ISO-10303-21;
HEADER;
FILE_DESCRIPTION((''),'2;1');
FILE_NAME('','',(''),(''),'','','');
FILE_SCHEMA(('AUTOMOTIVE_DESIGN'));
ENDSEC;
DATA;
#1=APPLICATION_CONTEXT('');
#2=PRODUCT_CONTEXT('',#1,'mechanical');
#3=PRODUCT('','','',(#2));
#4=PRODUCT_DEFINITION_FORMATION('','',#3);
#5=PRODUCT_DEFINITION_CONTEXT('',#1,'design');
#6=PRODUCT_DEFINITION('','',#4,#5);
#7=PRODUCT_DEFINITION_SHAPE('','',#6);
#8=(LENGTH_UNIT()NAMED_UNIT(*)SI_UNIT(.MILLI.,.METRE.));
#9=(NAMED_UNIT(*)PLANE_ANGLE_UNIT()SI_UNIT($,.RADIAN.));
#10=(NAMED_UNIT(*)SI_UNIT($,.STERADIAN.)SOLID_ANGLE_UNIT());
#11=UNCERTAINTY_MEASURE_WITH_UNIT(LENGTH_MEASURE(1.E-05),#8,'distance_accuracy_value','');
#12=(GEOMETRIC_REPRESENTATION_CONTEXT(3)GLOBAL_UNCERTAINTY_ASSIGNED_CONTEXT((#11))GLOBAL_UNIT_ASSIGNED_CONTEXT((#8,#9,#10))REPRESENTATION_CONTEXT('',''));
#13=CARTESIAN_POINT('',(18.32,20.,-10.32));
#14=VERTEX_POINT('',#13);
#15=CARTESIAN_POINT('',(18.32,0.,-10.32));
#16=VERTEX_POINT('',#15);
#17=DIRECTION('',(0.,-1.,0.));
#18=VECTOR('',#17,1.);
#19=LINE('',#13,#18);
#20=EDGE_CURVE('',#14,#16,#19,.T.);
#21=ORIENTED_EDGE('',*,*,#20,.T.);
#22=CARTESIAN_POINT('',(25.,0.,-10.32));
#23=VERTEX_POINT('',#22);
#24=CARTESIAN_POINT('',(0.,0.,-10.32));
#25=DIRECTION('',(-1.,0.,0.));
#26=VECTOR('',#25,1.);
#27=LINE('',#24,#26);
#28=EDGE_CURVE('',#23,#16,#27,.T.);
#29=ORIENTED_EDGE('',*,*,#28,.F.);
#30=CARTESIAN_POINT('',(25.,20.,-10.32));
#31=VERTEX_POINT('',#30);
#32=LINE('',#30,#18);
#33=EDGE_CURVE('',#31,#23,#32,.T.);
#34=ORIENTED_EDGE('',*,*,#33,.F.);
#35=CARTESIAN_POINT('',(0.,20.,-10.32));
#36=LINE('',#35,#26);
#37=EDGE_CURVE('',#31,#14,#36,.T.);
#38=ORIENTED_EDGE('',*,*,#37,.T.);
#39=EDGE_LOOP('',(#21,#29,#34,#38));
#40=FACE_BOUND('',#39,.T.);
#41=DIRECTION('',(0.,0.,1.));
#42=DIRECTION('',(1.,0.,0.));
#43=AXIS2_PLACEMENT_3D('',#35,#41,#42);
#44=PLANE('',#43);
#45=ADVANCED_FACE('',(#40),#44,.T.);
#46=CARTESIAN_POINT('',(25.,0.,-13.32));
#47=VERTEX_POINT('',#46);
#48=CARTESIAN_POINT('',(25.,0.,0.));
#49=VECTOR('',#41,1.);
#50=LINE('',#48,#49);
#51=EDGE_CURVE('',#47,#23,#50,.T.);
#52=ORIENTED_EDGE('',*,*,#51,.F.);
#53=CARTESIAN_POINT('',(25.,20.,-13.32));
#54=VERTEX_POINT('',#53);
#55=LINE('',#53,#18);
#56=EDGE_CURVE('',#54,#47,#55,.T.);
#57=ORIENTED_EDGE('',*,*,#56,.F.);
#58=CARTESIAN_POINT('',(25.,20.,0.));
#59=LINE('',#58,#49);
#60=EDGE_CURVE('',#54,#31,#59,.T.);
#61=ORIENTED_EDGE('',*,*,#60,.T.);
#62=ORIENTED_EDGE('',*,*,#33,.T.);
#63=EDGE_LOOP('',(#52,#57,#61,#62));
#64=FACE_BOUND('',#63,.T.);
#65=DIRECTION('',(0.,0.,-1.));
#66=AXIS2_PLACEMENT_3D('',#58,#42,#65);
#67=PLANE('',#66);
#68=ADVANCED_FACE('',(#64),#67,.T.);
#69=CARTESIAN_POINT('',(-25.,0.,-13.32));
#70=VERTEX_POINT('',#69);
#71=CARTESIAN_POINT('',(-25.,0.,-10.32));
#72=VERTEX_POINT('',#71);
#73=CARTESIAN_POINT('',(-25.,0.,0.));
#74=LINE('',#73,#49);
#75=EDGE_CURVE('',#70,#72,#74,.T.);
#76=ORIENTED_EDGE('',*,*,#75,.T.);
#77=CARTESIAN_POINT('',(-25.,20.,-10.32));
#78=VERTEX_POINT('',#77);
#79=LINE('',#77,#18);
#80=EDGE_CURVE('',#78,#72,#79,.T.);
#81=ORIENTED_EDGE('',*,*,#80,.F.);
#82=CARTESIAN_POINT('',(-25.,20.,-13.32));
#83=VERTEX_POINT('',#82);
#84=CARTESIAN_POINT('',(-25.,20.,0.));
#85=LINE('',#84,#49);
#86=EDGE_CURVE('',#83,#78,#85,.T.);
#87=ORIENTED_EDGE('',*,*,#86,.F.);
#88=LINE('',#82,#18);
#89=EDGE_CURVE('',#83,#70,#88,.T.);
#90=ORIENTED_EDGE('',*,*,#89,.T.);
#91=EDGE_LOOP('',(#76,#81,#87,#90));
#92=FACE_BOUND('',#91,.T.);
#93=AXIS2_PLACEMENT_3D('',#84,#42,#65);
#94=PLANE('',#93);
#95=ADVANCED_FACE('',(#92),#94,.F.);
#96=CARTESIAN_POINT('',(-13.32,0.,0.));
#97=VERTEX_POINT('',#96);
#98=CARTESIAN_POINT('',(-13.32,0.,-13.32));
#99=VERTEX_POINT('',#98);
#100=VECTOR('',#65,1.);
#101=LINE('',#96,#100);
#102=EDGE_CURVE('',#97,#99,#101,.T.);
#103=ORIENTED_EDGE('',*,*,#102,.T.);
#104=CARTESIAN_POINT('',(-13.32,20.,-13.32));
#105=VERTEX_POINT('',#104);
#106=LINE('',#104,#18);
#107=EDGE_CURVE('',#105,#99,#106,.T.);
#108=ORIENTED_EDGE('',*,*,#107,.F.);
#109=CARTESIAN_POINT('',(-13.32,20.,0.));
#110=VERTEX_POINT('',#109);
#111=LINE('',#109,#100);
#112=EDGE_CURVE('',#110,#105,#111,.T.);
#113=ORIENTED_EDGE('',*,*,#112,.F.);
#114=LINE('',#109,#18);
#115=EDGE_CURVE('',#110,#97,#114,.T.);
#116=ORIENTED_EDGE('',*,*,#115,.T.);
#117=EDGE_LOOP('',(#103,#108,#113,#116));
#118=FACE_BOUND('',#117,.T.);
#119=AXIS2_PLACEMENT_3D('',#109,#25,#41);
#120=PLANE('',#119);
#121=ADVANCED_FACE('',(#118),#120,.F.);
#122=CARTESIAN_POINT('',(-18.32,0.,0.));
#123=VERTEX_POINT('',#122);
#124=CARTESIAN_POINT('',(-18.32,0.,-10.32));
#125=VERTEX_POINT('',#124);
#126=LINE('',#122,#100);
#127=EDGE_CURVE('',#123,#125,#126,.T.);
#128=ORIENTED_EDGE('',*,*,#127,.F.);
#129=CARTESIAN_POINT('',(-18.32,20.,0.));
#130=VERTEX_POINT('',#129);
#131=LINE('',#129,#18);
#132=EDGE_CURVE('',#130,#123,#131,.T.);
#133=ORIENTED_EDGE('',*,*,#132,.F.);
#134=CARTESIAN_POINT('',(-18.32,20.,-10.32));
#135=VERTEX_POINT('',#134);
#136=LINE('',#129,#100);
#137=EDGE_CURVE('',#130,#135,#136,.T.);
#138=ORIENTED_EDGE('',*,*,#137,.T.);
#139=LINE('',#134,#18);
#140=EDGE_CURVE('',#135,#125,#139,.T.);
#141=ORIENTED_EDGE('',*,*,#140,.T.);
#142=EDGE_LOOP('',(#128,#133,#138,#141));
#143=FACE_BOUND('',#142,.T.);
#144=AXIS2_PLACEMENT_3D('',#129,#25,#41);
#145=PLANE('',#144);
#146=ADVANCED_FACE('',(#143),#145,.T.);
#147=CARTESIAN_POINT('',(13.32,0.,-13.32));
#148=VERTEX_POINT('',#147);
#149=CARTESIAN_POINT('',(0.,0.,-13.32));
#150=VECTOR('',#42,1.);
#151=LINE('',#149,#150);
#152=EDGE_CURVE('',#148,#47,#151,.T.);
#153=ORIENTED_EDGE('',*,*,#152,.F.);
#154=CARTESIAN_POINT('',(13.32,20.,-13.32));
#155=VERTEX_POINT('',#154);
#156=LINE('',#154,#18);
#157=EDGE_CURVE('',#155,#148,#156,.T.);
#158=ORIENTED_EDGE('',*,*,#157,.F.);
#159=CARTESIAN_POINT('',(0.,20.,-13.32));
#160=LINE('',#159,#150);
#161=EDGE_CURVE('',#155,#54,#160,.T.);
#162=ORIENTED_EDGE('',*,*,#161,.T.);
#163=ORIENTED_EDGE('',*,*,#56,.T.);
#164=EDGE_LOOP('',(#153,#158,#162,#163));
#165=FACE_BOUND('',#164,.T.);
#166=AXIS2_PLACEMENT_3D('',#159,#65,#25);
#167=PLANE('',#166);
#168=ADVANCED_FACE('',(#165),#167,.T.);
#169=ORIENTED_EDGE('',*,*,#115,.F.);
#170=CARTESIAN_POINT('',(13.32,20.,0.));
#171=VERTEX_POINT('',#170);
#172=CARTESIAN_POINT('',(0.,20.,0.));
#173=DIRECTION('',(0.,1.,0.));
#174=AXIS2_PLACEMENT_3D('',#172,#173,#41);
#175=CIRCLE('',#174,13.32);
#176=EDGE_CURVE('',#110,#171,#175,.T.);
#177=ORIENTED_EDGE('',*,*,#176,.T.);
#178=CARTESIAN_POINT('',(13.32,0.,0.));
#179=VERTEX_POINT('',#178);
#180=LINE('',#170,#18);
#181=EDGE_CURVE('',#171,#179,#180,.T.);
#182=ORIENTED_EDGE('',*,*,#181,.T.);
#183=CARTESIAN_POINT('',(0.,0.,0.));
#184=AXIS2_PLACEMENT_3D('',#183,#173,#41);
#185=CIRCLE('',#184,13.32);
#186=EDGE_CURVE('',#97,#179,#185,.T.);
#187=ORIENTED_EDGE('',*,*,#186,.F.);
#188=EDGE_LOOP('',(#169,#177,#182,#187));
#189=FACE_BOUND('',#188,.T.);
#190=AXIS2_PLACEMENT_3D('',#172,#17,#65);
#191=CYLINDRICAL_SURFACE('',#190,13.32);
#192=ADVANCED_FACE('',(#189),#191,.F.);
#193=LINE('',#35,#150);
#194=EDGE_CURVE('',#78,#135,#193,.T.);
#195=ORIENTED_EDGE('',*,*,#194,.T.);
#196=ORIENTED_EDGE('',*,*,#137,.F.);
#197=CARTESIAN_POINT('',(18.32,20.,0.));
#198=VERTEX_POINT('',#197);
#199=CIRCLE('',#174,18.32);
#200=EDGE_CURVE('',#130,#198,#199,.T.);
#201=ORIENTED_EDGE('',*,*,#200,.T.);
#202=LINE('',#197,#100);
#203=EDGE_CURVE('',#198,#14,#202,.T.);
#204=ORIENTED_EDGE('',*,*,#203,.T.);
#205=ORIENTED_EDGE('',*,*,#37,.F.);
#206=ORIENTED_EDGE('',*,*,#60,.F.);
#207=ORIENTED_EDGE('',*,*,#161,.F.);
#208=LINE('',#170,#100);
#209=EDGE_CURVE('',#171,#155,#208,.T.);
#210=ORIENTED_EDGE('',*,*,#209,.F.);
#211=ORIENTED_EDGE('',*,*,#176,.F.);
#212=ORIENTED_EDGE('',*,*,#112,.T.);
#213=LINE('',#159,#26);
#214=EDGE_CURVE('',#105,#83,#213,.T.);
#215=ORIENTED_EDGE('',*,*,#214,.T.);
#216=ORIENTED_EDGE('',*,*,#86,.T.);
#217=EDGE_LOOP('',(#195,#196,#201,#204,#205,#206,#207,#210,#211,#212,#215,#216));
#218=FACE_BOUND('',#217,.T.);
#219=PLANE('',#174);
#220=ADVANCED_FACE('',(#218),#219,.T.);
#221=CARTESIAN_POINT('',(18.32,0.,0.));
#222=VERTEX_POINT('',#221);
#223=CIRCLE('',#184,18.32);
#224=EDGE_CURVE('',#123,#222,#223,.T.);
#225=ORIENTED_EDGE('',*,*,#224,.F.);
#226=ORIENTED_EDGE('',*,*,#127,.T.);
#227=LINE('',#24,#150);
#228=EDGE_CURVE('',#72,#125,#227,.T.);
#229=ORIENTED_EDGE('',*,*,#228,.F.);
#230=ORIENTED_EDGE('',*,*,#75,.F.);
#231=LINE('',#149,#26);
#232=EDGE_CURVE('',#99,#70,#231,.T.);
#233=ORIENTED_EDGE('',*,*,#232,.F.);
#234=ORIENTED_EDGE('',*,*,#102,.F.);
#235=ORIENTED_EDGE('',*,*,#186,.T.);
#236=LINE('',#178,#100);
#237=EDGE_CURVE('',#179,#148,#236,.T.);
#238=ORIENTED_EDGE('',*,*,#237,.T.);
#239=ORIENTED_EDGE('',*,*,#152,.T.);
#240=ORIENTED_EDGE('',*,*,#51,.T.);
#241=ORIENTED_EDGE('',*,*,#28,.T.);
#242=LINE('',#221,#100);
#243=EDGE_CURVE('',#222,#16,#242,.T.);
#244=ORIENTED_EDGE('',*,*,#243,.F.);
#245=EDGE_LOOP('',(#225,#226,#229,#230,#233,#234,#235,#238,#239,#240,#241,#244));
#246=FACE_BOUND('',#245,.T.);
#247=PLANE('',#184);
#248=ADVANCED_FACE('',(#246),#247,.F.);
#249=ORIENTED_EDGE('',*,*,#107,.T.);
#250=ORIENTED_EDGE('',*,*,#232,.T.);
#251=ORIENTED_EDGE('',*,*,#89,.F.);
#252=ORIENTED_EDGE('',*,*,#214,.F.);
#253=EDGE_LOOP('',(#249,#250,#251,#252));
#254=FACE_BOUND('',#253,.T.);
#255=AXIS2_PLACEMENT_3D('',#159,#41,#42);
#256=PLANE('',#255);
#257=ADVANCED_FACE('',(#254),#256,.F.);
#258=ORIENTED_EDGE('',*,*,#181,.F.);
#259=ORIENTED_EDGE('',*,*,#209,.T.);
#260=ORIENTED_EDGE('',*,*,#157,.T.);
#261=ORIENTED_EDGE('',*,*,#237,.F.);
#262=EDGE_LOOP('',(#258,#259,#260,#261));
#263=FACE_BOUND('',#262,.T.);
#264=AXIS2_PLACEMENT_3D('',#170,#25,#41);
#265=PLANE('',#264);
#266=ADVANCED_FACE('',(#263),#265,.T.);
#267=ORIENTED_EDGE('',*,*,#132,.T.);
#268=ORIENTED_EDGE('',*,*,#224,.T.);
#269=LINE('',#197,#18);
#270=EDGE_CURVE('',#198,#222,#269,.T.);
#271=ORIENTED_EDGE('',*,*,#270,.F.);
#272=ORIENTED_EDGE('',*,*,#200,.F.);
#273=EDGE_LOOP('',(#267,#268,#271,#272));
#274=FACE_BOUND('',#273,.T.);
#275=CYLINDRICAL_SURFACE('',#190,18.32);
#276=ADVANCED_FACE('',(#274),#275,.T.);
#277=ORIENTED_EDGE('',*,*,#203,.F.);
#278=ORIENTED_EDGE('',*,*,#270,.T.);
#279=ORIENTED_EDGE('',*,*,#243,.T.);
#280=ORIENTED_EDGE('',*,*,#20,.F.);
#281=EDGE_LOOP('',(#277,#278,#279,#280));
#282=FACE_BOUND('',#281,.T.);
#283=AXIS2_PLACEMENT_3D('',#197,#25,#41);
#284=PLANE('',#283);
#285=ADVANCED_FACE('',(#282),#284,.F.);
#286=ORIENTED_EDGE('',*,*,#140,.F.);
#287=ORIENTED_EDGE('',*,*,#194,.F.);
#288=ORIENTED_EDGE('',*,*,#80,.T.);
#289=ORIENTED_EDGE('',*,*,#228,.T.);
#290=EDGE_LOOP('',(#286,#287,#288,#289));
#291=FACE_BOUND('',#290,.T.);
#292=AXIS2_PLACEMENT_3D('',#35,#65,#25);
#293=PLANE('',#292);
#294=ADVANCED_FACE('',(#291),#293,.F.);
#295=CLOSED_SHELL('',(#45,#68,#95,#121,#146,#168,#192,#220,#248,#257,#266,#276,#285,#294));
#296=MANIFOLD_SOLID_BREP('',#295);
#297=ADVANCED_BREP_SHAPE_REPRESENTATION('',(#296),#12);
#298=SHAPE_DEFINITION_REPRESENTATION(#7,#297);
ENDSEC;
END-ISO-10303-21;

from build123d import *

# Parameters (mm, degrees)
BOSS_EXTRUDE1_DEPTH = 20


with BuildPart() as part:
    # Sketch1 → Boss-Extrude1 (new body)
    with BuildSketch(Plane(origin=(0, 0, 0), x_dir=(1, 0, 0), z_dir=(0, 1, 0))):
        with BuildLine():
            Line((-18.32, 0), (-18.32, 2.075569274))
            Line((-18.32, 2.075569274), (-18.32, 10.32))
            Line((-18.32, 10.32), (-25, 10.32))
            Line((-25, 10.32), (-25, 13.32))
            Line((-25, 13.32), (-13.32, 13.32))
            Line((-13.32, 13.32), (-13.32, 0))
            ThreePointArc((-13.32, 0), (0, -13.32), (13.32, 0))
            Line((13.32, 0), (13.32, 13.32))
            Line((13.32, 13.32), (25, 13.32))
            Line((25, 13.32), (25, 10.32))
            Line((25, 10.32), (18.32, 10.32))
            Line((18.32, 10.32), (18.32, 1.685292353))
            Line((18.32, 1.685292353), (18.32, 0))
            ThreePointArc((18.32, 0), (0, -18.32), (-18.32, 0))
        make_face()
    extrude(amount=BOSS_EXTRUDE1_DEPTH)


solid = part.part
